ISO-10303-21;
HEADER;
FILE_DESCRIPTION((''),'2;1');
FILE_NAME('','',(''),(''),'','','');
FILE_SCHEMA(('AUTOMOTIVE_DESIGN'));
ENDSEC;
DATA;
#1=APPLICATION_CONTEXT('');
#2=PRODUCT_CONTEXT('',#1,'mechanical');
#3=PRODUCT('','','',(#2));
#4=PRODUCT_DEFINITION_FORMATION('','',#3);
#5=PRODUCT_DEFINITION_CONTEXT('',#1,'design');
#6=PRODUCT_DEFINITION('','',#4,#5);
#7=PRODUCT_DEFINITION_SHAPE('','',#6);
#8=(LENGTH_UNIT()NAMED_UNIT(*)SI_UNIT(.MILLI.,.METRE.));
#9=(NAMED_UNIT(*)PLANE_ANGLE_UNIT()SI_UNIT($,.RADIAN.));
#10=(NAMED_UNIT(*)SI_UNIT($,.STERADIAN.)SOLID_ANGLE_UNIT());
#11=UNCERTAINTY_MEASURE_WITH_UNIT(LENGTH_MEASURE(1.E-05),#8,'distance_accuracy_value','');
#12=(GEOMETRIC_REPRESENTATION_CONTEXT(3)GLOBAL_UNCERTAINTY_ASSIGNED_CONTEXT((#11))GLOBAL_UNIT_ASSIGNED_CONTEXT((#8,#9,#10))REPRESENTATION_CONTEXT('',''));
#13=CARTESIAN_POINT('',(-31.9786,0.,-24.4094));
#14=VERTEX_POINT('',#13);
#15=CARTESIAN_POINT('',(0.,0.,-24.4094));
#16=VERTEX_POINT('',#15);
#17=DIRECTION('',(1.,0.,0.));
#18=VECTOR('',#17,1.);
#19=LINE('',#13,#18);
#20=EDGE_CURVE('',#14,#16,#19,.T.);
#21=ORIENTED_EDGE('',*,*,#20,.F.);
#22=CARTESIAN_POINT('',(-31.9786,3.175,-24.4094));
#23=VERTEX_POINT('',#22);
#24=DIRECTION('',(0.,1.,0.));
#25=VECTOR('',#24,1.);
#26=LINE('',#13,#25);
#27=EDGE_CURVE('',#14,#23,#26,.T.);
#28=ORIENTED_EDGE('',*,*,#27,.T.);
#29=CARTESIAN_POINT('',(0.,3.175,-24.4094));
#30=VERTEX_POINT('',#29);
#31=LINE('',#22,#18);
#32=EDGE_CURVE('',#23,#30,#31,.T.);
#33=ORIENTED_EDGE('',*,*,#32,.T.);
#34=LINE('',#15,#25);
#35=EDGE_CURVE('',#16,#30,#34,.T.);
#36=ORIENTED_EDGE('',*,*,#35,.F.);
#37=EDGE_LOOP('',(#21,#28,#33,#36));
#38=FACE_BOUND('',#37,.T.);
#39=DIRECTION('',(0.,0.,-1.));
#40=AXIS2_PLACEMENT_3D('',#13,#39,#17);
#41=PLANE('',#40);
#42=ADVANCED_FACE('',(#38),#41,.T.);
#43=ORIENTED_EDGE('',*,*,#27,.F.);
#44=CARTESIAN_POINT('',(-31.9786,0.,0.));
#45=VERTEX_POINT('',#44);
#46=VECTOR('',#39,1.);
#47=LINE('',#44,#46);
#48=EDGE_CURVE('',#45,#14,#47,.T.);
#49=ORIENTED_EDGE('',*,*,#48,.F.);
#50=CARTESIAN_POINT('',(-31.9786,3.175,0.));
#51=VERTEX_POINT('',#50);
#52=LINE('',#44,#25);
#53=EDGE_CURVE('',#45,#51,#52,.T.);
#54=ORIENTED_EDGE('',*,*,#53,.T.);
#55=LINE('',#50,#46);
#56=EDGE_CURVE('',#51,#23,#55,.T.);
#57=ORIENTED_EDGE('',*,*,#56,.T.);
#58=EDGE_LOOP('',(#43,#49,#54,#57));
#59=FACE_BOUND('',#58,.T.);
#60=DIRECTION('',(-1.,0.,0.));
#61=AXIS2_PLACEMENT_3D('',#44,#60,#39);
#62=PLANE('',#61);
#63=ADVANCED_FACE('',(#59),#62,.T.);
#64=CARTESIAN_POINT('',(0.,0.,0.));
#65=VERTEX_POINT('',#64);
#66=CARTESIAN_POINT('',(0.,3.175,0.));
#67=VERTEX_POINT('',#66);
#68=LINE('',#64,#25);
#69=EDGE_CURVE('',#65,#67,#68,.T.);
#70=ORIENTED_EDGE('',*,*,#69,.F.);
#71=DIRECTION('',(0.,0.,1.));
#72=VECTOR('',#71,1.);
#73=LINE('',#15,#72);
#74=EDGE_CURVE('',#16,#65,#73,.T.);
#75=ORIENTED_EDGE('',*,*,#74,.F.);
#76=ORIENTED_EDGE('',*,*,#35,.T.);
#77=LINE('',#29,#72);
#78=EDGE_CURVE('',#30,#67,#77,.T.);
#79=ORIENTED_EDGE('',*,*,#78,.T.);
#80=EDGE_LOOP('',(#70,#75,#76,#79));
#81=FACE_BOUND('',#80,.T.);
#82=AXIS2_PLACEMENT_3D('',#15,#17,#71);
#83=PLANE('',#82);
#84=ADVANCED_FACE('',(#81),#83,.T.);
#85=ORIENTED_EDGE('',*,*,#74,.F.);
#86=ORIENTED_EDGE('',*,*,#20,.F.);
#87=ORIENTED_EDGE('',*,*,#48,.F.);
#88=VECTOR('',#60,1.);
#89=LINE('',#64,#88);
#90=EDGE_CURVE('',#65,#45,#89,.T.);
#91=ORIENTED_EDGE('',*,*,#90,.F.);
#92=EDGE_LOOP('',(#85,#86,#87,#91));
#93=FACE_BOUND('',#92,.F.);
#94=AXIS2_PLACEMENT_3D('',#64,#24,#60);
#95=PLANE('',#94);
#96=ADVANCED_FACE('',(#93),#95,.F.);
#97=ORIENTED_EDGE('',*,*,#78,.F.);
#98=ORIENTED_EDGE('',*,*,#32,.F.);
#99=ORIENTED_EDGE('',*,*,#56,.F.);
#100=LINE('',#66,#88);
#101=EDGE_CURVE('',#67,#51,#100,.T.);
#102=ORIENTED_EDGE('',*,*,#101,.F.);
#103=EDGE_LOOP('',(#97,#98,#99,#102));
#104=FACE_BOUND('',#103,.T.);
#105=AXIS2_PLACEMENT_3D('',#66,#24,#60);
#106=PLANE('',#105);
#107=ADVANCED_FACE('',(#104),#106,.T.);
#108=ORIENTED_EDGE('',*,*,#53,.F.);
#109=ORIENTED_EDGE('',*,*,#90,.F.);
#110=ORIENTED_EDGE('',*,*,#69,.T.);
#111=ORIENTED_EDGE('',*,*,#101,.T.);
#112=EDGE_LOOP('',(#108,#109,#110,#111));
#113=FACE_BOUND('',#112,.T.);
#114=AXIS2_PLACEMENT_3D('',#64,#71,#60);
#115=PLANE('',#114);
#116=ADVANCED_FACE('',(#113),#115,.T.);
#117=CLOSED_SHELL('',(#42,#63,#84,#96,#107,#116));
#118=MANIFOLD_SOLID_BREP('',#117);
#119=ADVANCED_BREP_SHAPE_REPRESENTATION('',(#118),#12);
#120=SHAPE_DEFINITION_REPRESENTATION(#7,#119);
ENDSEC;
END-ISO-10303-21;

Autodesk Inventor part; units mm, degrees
ref_plane "YZ Plane" through (0, 0, 0) normal (1, 0, 0) x (0, 1, 0)
ref_plane "XZ Plane" through (0, 0, 0) normal (0, 1, 0) x (-1, 0, 0)
ref_plane "XY Plane" through (0, 0, 0) normal (0, 0, 1) x (1, 0, 0)
sketch "Sketch1" plane through (0, 0, 0) normal (0, 1, 0) x (-1, 0, 0)
  line L0 (0, 0) -> (31.9786, 0)
  line L1 (31.9786, 0) -> (31.9786, -24.4094)
  line L2 (31.9786, -24.4094) -> (0, -24.4094)
  line L3 (0, -24.4094) -> (0, 0)
  dimension "d0" = 31.9786
  dimension "d1" = 24.4094
extrude "Extrusion1" add sketch "Sketch1" along normal blind 3.175
properties part number "RoadBot Pneumatic Module - Connection Bay Cover- r1"
